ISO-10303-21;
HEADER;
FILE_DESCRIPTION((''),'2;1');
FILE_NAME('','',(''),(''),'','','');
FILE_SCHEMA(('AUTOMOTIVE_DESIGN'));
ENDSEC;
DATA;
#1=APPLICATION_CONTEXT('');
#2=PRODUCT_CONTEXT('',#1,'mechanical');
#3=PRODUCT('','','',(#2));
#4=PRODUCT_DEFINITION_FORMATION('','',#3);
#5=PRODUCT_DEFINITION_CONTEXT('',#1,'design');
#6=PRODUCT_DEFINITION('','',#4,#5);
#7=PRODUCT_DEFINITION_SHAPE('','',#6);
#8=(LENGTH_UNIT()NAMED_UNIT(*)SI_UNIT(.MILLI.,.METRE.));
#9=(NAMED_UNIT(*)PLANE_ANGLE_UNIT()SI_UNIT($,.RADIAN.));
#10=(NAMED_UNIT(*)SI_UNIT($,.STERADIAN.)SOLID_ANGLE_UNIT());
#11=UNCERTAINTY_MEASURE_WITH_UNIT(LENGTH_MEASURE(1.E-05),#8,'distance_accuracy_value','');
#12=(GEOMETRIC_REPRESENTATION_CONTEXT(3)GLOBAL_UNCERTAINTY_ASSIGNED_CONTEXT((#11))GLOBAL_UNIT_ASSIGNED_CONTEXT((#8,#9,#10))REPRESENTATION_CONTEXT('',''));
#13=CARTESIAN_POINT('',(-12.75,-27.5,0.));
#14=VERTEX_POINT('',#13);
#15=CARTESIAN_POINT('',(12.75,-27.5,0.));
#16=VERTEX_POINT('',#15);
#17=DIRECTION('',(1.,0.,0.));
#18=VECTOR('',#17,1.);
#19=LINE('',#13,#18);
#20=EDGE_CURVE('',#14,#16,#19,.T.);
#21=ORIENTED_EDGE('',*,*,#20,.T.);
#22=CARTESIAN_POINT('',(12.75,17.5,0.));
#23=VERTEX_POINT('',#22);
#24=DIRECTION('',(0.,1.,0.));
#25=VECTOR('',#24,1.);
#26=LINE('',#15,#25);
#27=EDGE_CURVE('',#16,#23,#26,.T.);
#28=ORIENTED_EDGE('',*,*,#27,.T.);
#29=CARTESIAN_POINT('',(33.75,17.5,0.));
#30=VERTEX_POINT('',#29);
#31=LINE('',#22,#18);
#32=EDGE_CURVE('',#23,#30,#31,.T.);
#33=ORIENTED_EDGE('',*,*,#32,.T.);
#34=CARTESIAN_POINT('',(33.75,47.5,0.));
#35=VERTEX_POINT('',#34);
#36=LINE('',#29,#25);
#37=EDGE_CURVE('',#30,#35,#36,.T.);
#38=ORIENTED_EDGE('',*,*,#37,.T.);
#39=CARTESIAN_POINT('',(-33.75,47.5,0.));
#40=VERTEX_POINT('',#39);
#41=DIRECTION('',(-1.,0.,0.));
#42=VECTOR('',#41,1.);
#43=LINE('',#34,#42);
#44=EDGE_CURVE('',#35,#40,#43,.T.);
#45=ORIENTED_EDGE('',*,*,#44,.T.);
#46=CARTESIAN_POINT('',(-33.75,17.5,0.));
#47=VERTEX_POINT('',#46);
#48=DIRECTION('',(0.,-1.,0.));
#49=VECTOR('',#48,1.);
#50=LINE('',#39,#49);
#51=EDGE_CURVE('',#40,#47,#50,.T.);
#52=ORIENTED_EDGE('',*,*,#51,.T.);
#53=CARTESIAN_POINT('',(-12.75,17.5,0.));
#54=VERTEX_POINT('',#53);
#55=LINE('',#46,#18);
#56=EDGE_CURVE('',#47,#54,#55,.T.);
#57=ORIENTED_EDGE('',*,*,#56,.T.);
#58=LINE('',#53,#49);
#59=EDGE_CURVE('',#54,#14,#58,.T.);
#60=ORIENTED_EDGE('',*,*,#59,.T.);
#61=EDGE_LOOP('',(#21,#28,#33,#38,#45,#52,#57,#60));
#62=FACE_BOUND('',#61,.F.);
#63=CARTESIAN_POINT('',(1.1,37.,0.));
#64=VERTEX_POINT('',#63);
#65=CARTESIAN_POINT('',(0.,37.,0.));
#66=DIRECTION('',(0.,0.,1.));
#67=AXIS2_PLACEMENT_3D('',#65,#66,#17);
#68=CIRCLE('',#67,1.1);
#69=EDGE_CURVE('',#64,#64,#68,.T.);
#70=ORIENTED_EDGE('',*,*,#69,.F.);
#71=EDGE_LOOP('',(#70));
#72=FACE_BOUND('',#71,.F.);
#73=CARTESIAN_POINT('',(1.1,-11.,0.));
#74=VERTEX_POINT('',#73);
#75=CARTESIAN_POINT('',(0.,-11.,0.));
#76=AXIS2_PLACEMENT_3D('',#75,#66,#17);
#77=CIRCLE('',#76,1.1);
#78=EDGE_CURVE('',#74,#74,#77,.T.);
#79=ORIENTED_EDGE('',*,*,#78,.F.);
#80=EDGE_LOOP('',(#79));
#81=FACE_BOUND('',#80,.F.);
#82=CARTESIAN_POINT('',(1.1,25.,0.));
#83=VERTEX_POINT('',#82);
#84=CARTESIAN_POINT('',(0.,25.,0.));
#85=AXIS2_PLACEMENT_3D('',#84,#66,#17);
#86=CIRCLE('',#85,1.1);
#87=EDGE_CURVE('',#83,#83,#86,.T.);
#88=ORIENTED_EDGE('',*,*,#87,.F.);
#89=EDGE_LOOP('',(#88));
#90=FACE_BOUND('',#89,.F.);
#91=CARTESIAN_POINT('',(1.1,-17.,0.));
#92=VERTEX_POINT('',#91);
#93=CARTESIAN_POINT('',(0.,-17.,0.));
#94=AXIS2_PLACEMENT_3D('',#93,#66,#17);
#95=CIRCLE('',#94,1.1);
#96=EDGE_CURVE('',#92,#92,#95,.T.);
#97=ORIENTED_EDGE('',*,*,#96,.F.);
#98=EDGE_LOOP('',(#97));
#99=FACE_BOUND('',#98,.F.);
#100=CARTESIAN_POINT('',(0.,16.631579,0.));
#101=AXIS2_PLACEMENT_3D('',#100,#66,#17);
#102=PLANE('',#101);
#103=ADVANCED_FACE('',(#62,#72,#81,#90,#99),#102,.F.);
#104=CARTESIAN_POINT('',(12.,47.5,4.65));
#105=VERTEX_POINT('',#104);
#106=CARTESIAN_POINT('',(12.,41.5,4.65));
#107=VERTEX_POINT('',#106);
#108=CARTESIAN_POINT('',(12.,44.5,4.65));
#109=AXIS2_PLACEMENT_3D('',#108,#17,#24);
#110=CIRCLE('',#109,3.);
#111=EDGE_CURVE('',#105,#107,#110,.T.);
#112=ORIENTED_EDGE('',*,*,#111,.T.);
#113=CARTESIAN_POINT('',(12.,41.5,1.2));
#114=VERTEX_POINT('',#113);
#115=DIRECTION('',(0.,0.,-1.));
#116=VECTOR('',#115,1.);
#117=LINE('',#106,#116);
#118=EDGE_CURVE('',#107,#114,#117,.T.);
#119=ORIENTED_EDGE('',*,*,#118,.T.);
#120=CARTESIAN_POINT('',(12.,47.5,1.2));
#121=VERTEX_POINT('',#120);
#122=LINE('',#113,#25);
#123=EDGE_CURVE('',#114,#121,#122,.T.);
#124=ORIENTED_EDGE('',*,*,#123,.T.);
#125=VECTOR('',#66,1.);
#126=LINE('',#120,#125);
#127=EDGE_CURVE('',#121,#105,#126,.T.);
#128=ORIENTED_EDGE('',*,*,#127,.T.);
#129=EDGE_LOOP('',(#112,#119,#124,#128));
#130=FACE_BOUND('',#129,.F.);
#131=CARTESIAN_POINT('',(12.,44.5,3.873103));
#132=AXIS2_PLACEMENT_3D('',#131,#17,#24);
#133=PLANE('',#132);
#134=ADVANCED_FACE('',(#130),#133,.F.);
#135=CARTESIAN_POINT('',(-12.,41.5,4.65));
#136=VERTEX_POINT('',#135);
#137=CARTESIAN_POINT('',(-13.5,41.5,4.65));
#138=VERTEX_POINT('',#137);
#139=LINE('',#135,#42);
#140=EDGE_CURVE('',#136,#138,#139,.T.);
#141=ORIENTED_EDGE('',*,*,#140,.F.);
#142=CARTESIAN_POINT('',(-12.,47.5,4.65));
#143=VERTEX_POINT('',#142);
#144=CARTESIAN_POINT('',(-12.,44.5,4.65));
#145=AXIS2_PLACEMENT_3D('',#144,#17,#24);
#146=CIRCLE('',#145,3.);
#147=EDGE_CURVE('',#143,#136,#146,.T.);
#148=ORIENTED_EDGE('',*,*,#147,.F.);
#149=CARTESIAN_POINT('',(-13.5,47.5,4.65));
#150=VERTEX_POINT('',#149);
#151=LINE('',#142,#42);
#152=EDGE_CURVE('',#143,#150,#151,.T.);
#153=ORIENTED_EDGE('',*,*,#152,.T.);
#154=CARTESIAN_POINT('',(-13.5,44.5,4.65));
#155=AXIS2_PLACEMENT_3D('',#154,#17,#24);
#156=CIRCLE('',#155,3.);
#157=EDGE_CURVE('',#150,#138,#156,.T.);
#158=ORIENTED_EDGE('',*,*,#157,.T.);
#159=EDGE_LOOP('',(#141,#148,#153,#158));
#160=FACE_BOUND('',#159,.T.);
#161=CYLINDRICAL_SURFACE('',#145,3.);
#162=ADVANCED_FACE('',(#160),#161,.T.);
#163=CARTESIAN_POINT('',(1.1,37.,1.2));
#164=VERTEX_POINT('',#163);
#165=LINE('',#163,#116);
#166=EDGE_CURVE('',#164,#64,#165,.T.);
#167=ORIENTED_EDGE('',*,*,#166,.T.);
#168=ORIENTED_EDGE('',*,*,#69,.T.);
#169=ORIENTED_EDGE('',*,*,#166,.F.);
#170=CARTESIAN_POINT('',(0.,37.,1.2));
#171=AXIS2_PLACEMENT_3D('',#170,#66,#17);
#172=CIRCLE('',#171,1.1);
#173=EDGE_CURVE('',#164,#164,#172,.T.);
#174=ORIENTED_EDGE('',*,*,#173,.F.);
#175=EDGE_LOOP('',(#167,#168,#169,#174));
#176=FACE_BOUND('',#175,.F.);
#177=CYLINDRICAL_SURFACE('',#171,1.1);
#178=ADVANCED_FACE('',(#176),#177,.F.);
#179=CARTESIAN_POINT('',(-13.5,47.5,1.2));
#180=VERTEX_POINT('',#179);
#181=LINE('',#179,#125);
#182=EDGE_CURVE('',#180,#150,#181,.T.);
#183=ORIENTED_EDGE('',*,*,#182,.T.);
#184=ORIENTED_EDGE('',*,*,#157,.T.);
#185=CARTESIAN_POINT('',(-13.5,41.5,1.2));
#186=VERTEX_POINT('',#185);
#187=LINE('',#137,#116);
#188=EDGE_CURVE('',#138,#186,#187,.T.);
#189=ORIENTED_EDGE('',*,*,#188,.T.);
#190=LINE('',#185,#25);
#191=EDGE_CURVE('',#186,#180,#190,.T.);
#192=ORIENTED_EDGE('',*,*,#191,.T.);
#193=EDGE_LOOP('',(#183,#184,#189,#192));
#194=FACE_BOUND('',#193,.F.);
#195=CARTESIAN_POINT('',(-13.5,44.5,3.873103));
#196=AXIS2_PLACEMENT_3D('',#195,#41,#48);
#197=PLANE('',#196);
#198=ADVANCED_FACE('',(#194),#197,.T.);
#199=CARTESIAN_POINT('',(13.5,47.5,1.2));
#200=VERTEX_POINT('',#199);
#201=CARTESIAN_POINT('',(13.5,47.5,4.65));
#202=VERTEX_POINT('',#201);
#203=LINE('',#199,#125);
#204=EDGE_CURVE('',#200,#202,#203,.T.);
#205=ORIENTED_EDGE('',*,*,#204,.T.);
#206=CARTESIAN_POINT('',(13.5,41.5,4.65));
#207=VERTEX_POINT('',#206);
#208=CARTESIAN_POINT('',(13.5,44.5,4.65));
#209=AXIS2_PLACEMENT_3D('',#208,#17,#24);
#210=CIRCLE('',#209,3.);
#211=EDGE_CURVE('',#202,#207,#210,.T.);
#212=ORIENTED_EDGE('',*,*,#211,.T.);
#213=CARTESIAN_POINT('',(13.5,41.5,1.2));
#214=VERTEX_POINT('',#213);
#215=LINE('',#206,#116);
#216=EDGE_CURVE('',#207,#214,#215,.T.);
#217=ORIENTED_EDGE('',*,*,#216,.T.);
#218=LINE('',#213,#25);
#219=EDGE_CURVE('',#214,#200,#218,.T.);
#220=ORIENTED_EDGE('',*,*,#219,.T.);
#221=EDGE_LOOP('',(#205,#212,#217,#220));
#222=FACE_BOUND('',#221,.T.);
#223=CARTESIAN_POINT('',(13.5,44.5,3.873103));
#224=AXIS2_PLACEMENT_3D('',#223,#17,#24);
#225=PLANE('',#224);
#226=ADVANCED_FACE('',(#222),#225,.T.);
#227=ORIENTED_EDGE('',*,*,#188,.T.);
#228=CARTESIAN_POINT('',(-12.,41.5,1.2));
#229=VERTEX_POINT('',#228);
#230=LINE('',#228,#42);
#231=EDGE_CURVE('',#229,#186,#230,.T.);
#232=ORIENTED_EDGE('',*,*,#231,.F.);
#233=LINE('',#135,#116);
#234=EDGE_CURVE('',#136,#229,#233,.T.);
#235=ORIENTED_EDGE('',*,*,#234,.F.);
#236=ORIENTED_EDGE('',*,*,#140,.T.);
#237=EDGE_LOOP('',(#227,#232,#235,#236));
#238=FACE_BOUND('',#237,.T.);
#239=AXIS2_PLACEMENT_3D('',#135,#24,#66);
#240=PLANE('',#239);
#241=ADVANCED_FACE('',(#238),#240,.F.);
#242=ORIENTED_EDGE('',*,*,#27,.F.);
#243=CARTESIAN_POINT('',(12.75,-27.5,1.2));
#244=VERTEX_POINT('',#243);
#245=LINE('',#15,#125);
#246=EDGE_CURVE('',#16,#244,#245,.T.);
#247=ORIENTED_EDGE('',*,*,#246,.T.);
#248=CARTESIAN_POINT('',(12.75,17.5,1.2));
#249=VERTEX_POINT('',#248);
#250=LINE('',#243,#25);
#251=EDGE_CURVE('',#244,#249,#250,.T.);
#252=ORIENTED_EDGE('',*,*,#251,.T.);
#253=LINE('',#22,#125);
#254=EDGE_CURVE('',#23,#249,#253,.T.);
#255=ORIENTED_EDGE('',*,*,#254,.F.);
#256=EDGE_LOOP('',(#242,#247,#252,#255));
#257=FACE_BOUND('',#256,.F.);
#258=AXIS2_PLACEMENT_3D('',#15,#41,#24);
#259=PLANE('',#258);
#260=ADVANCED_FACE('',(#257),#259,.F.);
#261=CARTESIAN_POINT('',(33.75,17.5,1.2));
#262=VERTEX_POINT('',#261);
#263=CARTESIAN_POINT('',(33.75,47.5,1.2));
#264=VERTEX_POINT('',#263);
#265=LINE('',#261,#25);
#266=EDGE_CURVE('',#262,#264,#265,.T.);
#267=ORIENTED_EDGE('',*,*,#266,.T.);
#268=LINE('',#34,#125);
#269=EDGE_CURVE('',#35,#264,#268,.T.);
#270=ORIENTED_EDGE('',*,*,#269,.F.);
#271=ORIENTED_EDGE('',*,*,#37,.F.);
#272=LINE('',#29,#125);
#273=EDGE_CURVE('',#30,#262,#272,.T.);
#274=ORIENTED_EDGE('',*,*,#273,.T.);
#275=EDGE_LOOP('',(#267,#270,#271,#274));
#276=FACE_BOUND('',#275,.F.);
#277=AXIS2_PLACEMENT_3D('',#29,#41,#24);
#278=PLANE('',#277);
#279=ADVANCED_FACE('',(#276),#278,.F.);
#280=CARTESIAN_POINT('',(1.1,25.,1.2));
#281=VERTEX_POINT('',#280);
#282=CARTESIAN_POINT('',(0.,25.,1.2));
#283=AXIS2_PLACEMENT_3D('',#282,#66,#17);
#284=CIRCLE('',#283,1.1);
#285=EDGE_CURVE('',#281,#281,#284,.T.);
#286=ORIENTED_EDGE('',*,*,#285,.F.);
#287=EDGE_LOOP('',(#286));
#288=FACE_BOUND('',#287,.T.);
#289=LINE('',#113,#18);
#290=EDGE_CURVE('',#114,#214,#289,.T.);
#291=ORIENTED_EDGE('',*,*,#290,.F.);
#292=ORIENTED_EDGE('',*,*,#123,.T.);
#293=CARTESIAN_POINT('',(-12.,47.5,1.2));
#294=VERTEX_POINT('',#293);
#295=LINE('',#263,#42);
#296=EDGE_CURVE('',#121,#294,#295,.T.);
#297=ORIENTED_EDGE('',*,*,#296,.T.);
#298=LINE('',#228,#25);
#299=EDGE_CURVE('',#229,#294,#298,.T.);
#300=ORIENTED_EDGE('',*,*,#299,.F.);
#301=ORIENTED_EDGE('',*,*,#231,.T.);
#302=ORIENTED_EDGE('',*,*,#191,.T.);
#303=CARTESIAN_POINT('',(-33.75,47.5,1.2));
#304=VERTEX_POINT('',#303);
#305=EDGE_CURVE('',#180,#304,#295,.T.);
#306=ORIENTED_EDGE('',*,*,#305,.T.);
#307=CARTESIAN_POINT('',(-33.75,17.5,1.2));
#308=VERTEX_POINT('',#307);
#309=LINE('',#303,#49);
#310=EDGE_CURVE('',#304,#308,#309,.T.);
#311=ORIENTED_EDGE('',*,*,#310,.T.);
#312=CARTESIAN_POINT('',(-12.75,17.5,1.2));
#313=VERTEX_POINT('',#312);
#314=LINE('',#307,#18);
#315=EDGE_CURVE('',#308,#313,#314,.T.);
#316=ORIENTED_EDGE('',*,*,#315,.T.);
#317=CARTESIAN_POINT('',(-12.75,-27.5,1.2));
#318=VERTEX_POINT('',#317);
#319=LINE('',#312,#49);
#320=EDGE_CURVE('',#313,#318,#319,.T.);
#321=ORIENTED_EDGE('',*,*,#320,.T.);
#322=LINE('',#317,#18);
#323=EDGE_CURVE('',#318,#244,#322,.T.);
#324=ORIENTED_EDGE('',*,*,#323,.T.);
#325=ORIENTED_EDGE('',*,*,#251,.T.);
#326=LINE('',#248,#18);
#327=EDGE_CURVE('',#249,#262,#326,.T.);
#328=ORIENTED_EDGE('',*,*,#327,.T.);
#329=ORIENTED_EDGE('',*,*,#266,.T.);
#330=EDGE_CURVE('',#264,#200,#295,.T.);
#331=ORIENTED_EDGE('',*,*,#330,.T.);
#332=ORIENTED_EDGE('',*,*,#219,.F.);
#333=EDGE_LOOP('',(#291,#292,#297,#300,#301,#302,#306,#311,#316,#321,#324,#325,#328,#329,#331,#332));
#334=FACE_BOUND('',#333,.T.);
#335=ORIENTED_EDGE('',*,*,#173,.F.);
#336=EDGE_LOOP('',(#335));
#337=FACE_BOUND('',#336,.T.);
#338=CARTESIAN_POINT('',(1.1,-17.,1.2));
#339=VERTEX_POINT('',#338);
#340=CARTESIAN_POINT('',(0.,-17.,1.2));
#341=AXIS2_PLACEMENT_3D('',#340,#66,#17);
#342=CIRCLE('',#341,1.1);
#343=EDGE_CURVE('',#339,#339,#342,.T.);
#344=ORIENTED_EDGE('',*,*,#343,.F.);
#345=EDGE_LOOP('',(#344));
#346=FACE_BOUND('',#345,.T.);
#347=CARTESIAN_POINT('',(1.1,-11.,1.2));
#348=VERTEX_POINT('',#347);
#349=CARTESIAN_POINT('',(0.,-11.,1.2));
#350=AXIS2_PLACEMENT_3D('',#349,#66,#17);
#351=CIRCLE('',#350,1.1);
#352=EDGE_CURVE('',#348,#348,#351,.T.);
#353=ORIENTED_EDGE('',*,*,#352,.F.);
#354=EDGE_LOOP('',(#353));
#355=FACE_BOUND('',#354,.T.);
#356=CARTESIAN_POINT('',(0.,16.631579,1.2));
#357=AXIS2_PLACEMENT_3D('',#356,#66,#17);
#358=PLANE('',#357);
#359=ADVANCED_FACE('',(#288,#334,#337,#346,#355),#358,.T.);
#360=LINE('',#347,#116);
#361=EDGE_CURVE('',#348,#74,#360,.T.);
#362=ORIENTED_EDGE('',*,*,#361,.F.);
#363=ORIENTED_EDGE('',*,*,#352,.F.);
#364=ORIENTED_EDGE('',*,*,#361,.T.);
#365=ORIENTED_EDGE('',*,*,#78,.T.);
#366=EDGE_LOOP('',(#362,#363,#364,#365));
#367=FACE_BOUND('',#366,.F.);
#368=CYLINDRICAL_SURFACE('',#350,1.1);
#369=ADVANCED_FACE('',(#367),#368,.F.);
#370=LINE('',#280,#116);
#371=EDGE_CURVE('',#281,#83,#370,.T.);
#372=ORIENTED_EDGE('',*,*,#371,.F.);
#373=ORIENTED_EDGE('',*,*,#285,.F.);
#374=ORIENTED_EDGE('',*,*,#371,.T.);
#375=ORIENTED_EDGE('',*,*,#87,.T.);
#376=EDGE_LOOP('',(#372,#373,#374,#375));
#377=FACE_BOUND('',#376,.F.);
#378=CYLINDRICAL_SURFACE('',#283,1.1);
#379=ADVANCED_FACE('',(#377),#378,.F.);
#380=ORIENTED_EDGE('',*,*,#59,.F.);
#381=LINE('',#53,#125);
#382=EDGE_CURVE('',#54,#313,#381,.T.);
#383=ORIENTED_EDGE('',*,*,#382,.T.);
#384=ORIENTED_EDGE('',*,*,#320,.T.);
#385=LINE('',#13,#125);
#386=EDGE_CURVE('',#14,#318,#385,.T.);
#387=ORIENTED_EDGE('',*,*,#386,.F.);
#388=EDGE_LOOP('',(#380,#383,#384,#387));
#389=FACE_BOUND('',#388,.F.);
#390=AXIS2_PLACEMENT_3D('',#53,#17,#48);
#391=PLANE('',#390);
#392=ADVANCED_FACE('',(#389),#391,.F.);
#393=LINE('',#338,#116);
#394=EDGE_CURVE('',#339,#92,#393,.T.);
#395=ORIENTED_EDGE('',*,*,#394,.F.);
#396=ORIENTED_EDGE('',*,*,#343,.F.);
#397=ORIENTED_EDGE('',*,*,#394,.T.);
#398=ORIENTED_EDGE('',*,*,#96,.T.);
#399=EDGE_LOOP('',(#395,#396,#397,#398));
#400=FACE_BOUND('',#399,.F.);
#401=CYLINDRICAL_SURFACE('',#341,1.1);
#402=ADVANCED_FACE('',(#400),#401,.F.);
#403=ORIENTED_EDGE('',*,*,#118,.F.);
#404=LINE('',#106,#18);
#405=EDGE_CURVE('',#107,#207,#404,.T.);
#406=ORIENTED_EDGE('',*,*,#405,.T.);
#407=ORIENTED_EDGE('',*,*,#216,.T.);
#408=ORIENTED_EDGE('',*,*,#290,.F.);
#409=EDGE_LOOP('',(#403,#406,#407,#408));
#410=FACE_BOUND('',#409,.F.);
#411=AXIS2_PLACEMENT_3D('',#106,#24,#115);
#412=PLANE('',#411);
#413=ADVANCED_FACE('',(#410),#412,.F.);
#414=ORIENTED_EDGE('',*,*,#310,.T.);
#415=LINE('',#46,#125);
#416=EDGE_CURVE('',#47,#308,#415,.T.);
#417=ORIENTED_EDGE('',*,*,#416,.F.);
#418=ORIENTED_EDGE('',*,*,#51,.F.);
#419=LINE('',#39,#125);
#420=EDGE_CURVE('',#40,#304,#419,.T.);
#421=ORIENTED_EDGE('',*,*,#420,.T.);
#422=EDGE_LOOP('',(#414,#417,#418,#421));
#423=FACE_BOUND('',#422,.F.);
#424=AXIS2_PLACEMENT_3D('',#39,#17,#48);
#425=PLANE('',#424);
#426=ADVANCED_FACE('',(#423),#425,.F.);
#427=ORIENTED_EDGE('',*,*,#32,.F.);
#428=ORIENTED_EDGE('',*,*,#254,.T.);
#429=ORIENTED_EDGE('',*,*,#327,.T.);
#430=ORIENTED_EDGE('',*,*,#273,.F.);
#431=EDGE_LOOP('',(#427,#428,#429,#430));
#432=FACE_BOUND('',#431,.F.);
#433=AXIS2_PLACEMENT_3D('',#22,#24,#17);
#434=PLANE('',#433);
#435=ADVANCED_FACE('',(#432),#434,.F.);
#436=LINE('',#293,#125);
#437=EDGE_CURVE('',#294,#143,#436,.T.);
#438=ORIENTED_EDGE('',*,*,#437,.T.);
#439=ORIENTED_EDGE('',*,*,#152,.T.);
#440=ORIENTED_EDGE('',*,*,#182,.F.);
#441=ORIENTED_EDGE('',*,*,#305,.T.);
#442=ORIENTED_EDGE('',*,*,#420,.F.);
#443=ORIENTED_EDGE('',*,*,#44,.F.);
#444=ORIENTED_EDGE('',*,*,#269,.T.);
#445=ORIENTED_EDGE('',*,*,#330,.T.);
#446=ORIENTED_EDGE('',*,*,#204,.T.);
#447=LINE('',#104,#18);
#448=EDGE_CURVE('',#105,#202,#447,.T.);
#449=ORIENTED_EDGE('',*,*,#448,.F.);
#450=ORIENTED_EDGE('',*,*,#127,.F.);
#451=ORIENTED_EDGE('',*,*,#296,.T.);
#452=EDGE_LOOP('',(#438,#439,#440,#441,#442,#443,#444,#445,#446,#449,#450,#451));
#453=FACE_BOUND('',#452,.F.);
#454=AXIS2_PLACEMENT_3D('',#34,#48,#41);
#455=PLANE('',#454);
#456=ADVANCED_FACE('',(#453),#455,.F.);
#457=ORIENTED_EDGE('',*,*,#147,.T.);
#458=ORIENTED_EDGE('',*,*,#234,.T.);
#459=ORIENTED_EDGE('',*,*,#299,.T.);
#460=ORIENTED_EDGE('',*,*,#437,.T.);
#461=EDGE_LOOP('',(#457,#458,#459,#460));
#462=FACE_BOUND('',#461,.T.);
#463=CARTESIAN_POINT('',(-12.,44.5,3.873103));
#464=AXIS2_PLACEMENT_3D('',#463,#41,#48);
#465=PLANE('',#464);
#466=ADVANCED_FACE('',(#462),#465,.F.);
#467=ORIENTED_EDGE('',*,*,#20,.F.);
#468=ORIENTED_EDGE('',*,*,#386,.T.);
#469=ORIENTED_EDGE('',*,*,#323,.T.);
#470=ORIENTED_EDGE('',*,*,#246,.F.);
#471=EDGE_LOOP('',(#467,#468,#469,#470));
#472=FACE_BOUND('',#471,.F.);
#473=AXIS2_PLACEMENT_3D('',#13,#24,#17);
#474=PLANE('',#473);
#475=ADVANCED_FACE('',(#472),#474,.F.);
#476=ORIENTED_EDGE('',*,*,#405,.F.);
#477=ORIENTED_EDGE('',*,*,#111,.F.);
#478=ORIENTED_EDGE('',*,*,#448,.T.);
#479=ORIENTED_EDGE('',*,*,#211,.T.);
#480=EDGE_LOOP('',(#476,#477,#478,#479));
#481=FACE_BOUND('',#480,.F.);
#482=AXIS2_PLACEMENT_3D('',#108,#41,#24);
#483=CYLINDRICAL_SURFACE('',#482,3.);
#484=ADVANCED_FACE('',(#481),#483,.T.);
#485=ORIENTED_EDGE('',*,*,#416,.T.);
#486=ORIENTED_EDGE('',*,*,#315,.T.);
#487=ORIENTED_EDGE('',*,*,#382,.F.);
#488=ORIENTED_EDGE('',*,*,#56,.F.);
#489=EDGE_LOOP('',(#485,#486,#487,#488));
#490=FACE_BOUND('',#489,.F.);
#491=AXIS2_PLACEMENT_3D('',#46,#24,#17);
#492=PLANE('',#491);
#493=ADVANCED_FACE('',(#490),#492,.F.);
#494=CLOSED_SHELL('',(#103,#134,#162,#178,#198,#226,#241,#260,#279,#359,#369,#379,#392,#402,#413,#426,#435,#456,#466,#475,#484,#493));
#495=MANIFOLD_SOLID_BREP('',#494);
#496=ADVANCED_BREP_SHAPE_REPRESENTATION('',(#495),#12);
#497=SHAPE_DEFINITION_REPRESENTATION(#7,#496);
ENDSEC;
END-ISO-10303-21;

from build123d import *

# Parameters (mm, degrees)
F2_DEPTH = 1.2
F5_DEPTH = 1.5
F7_R     = 1.1
F8_DEPTH = 1.201


with BuildPart() as f2:
    # F1 (on Top) → F2 (new body)
    with BuildSketch(Plane.XY):
        Polygon((-12.75, 17.5), (-12.75, -27.5), (12.75, -27.5), (12.75, 17.5), (33.75, 17.5), (33.75, 47.5), (-33.75, 47.5), (-33.75, 17.5), align=None)
    extrude(amount=F2_DEPTH)

    # F4 (on offset) → F5 (join)
    with BuildSketch(Plane.YZ.offset(12)):
        with BuildLine():
            Line((41.5, 4.65), (41.5, 1.2))
            Line((41.5, 1.2), (47.5, 1.2))
            Line((47.5, 1.2), (47.5, 4.65))
            ThreePointArc((47.5, 4.65), (44.5, 7.65), (41.5, 4.65))
        make_face()
    extrude(amount=F5_DEPTH)

    # F6: F2 across plane


with BuildPart() as f2_1:
    add(f2.part)
    add(f2.part.mirror(Plane.YZ))

    # F7 (on face) → F8 (cut, through all)
    with BuildSketch(Plane.XY.offset(1.2)):
        with Locations((0, 37)):
            Circle(F7_R)
        with Locations((0, 25)):
            Circle(F7_R)
        with Locations((0, -11)):
            Circle(F7_R)
        with Locations((0, -17)):
            Circle(F7_R)
    extrude(amount=-F8_DEPTH, mode=Mode.SUBTRACT)


solid = f2_1.part
